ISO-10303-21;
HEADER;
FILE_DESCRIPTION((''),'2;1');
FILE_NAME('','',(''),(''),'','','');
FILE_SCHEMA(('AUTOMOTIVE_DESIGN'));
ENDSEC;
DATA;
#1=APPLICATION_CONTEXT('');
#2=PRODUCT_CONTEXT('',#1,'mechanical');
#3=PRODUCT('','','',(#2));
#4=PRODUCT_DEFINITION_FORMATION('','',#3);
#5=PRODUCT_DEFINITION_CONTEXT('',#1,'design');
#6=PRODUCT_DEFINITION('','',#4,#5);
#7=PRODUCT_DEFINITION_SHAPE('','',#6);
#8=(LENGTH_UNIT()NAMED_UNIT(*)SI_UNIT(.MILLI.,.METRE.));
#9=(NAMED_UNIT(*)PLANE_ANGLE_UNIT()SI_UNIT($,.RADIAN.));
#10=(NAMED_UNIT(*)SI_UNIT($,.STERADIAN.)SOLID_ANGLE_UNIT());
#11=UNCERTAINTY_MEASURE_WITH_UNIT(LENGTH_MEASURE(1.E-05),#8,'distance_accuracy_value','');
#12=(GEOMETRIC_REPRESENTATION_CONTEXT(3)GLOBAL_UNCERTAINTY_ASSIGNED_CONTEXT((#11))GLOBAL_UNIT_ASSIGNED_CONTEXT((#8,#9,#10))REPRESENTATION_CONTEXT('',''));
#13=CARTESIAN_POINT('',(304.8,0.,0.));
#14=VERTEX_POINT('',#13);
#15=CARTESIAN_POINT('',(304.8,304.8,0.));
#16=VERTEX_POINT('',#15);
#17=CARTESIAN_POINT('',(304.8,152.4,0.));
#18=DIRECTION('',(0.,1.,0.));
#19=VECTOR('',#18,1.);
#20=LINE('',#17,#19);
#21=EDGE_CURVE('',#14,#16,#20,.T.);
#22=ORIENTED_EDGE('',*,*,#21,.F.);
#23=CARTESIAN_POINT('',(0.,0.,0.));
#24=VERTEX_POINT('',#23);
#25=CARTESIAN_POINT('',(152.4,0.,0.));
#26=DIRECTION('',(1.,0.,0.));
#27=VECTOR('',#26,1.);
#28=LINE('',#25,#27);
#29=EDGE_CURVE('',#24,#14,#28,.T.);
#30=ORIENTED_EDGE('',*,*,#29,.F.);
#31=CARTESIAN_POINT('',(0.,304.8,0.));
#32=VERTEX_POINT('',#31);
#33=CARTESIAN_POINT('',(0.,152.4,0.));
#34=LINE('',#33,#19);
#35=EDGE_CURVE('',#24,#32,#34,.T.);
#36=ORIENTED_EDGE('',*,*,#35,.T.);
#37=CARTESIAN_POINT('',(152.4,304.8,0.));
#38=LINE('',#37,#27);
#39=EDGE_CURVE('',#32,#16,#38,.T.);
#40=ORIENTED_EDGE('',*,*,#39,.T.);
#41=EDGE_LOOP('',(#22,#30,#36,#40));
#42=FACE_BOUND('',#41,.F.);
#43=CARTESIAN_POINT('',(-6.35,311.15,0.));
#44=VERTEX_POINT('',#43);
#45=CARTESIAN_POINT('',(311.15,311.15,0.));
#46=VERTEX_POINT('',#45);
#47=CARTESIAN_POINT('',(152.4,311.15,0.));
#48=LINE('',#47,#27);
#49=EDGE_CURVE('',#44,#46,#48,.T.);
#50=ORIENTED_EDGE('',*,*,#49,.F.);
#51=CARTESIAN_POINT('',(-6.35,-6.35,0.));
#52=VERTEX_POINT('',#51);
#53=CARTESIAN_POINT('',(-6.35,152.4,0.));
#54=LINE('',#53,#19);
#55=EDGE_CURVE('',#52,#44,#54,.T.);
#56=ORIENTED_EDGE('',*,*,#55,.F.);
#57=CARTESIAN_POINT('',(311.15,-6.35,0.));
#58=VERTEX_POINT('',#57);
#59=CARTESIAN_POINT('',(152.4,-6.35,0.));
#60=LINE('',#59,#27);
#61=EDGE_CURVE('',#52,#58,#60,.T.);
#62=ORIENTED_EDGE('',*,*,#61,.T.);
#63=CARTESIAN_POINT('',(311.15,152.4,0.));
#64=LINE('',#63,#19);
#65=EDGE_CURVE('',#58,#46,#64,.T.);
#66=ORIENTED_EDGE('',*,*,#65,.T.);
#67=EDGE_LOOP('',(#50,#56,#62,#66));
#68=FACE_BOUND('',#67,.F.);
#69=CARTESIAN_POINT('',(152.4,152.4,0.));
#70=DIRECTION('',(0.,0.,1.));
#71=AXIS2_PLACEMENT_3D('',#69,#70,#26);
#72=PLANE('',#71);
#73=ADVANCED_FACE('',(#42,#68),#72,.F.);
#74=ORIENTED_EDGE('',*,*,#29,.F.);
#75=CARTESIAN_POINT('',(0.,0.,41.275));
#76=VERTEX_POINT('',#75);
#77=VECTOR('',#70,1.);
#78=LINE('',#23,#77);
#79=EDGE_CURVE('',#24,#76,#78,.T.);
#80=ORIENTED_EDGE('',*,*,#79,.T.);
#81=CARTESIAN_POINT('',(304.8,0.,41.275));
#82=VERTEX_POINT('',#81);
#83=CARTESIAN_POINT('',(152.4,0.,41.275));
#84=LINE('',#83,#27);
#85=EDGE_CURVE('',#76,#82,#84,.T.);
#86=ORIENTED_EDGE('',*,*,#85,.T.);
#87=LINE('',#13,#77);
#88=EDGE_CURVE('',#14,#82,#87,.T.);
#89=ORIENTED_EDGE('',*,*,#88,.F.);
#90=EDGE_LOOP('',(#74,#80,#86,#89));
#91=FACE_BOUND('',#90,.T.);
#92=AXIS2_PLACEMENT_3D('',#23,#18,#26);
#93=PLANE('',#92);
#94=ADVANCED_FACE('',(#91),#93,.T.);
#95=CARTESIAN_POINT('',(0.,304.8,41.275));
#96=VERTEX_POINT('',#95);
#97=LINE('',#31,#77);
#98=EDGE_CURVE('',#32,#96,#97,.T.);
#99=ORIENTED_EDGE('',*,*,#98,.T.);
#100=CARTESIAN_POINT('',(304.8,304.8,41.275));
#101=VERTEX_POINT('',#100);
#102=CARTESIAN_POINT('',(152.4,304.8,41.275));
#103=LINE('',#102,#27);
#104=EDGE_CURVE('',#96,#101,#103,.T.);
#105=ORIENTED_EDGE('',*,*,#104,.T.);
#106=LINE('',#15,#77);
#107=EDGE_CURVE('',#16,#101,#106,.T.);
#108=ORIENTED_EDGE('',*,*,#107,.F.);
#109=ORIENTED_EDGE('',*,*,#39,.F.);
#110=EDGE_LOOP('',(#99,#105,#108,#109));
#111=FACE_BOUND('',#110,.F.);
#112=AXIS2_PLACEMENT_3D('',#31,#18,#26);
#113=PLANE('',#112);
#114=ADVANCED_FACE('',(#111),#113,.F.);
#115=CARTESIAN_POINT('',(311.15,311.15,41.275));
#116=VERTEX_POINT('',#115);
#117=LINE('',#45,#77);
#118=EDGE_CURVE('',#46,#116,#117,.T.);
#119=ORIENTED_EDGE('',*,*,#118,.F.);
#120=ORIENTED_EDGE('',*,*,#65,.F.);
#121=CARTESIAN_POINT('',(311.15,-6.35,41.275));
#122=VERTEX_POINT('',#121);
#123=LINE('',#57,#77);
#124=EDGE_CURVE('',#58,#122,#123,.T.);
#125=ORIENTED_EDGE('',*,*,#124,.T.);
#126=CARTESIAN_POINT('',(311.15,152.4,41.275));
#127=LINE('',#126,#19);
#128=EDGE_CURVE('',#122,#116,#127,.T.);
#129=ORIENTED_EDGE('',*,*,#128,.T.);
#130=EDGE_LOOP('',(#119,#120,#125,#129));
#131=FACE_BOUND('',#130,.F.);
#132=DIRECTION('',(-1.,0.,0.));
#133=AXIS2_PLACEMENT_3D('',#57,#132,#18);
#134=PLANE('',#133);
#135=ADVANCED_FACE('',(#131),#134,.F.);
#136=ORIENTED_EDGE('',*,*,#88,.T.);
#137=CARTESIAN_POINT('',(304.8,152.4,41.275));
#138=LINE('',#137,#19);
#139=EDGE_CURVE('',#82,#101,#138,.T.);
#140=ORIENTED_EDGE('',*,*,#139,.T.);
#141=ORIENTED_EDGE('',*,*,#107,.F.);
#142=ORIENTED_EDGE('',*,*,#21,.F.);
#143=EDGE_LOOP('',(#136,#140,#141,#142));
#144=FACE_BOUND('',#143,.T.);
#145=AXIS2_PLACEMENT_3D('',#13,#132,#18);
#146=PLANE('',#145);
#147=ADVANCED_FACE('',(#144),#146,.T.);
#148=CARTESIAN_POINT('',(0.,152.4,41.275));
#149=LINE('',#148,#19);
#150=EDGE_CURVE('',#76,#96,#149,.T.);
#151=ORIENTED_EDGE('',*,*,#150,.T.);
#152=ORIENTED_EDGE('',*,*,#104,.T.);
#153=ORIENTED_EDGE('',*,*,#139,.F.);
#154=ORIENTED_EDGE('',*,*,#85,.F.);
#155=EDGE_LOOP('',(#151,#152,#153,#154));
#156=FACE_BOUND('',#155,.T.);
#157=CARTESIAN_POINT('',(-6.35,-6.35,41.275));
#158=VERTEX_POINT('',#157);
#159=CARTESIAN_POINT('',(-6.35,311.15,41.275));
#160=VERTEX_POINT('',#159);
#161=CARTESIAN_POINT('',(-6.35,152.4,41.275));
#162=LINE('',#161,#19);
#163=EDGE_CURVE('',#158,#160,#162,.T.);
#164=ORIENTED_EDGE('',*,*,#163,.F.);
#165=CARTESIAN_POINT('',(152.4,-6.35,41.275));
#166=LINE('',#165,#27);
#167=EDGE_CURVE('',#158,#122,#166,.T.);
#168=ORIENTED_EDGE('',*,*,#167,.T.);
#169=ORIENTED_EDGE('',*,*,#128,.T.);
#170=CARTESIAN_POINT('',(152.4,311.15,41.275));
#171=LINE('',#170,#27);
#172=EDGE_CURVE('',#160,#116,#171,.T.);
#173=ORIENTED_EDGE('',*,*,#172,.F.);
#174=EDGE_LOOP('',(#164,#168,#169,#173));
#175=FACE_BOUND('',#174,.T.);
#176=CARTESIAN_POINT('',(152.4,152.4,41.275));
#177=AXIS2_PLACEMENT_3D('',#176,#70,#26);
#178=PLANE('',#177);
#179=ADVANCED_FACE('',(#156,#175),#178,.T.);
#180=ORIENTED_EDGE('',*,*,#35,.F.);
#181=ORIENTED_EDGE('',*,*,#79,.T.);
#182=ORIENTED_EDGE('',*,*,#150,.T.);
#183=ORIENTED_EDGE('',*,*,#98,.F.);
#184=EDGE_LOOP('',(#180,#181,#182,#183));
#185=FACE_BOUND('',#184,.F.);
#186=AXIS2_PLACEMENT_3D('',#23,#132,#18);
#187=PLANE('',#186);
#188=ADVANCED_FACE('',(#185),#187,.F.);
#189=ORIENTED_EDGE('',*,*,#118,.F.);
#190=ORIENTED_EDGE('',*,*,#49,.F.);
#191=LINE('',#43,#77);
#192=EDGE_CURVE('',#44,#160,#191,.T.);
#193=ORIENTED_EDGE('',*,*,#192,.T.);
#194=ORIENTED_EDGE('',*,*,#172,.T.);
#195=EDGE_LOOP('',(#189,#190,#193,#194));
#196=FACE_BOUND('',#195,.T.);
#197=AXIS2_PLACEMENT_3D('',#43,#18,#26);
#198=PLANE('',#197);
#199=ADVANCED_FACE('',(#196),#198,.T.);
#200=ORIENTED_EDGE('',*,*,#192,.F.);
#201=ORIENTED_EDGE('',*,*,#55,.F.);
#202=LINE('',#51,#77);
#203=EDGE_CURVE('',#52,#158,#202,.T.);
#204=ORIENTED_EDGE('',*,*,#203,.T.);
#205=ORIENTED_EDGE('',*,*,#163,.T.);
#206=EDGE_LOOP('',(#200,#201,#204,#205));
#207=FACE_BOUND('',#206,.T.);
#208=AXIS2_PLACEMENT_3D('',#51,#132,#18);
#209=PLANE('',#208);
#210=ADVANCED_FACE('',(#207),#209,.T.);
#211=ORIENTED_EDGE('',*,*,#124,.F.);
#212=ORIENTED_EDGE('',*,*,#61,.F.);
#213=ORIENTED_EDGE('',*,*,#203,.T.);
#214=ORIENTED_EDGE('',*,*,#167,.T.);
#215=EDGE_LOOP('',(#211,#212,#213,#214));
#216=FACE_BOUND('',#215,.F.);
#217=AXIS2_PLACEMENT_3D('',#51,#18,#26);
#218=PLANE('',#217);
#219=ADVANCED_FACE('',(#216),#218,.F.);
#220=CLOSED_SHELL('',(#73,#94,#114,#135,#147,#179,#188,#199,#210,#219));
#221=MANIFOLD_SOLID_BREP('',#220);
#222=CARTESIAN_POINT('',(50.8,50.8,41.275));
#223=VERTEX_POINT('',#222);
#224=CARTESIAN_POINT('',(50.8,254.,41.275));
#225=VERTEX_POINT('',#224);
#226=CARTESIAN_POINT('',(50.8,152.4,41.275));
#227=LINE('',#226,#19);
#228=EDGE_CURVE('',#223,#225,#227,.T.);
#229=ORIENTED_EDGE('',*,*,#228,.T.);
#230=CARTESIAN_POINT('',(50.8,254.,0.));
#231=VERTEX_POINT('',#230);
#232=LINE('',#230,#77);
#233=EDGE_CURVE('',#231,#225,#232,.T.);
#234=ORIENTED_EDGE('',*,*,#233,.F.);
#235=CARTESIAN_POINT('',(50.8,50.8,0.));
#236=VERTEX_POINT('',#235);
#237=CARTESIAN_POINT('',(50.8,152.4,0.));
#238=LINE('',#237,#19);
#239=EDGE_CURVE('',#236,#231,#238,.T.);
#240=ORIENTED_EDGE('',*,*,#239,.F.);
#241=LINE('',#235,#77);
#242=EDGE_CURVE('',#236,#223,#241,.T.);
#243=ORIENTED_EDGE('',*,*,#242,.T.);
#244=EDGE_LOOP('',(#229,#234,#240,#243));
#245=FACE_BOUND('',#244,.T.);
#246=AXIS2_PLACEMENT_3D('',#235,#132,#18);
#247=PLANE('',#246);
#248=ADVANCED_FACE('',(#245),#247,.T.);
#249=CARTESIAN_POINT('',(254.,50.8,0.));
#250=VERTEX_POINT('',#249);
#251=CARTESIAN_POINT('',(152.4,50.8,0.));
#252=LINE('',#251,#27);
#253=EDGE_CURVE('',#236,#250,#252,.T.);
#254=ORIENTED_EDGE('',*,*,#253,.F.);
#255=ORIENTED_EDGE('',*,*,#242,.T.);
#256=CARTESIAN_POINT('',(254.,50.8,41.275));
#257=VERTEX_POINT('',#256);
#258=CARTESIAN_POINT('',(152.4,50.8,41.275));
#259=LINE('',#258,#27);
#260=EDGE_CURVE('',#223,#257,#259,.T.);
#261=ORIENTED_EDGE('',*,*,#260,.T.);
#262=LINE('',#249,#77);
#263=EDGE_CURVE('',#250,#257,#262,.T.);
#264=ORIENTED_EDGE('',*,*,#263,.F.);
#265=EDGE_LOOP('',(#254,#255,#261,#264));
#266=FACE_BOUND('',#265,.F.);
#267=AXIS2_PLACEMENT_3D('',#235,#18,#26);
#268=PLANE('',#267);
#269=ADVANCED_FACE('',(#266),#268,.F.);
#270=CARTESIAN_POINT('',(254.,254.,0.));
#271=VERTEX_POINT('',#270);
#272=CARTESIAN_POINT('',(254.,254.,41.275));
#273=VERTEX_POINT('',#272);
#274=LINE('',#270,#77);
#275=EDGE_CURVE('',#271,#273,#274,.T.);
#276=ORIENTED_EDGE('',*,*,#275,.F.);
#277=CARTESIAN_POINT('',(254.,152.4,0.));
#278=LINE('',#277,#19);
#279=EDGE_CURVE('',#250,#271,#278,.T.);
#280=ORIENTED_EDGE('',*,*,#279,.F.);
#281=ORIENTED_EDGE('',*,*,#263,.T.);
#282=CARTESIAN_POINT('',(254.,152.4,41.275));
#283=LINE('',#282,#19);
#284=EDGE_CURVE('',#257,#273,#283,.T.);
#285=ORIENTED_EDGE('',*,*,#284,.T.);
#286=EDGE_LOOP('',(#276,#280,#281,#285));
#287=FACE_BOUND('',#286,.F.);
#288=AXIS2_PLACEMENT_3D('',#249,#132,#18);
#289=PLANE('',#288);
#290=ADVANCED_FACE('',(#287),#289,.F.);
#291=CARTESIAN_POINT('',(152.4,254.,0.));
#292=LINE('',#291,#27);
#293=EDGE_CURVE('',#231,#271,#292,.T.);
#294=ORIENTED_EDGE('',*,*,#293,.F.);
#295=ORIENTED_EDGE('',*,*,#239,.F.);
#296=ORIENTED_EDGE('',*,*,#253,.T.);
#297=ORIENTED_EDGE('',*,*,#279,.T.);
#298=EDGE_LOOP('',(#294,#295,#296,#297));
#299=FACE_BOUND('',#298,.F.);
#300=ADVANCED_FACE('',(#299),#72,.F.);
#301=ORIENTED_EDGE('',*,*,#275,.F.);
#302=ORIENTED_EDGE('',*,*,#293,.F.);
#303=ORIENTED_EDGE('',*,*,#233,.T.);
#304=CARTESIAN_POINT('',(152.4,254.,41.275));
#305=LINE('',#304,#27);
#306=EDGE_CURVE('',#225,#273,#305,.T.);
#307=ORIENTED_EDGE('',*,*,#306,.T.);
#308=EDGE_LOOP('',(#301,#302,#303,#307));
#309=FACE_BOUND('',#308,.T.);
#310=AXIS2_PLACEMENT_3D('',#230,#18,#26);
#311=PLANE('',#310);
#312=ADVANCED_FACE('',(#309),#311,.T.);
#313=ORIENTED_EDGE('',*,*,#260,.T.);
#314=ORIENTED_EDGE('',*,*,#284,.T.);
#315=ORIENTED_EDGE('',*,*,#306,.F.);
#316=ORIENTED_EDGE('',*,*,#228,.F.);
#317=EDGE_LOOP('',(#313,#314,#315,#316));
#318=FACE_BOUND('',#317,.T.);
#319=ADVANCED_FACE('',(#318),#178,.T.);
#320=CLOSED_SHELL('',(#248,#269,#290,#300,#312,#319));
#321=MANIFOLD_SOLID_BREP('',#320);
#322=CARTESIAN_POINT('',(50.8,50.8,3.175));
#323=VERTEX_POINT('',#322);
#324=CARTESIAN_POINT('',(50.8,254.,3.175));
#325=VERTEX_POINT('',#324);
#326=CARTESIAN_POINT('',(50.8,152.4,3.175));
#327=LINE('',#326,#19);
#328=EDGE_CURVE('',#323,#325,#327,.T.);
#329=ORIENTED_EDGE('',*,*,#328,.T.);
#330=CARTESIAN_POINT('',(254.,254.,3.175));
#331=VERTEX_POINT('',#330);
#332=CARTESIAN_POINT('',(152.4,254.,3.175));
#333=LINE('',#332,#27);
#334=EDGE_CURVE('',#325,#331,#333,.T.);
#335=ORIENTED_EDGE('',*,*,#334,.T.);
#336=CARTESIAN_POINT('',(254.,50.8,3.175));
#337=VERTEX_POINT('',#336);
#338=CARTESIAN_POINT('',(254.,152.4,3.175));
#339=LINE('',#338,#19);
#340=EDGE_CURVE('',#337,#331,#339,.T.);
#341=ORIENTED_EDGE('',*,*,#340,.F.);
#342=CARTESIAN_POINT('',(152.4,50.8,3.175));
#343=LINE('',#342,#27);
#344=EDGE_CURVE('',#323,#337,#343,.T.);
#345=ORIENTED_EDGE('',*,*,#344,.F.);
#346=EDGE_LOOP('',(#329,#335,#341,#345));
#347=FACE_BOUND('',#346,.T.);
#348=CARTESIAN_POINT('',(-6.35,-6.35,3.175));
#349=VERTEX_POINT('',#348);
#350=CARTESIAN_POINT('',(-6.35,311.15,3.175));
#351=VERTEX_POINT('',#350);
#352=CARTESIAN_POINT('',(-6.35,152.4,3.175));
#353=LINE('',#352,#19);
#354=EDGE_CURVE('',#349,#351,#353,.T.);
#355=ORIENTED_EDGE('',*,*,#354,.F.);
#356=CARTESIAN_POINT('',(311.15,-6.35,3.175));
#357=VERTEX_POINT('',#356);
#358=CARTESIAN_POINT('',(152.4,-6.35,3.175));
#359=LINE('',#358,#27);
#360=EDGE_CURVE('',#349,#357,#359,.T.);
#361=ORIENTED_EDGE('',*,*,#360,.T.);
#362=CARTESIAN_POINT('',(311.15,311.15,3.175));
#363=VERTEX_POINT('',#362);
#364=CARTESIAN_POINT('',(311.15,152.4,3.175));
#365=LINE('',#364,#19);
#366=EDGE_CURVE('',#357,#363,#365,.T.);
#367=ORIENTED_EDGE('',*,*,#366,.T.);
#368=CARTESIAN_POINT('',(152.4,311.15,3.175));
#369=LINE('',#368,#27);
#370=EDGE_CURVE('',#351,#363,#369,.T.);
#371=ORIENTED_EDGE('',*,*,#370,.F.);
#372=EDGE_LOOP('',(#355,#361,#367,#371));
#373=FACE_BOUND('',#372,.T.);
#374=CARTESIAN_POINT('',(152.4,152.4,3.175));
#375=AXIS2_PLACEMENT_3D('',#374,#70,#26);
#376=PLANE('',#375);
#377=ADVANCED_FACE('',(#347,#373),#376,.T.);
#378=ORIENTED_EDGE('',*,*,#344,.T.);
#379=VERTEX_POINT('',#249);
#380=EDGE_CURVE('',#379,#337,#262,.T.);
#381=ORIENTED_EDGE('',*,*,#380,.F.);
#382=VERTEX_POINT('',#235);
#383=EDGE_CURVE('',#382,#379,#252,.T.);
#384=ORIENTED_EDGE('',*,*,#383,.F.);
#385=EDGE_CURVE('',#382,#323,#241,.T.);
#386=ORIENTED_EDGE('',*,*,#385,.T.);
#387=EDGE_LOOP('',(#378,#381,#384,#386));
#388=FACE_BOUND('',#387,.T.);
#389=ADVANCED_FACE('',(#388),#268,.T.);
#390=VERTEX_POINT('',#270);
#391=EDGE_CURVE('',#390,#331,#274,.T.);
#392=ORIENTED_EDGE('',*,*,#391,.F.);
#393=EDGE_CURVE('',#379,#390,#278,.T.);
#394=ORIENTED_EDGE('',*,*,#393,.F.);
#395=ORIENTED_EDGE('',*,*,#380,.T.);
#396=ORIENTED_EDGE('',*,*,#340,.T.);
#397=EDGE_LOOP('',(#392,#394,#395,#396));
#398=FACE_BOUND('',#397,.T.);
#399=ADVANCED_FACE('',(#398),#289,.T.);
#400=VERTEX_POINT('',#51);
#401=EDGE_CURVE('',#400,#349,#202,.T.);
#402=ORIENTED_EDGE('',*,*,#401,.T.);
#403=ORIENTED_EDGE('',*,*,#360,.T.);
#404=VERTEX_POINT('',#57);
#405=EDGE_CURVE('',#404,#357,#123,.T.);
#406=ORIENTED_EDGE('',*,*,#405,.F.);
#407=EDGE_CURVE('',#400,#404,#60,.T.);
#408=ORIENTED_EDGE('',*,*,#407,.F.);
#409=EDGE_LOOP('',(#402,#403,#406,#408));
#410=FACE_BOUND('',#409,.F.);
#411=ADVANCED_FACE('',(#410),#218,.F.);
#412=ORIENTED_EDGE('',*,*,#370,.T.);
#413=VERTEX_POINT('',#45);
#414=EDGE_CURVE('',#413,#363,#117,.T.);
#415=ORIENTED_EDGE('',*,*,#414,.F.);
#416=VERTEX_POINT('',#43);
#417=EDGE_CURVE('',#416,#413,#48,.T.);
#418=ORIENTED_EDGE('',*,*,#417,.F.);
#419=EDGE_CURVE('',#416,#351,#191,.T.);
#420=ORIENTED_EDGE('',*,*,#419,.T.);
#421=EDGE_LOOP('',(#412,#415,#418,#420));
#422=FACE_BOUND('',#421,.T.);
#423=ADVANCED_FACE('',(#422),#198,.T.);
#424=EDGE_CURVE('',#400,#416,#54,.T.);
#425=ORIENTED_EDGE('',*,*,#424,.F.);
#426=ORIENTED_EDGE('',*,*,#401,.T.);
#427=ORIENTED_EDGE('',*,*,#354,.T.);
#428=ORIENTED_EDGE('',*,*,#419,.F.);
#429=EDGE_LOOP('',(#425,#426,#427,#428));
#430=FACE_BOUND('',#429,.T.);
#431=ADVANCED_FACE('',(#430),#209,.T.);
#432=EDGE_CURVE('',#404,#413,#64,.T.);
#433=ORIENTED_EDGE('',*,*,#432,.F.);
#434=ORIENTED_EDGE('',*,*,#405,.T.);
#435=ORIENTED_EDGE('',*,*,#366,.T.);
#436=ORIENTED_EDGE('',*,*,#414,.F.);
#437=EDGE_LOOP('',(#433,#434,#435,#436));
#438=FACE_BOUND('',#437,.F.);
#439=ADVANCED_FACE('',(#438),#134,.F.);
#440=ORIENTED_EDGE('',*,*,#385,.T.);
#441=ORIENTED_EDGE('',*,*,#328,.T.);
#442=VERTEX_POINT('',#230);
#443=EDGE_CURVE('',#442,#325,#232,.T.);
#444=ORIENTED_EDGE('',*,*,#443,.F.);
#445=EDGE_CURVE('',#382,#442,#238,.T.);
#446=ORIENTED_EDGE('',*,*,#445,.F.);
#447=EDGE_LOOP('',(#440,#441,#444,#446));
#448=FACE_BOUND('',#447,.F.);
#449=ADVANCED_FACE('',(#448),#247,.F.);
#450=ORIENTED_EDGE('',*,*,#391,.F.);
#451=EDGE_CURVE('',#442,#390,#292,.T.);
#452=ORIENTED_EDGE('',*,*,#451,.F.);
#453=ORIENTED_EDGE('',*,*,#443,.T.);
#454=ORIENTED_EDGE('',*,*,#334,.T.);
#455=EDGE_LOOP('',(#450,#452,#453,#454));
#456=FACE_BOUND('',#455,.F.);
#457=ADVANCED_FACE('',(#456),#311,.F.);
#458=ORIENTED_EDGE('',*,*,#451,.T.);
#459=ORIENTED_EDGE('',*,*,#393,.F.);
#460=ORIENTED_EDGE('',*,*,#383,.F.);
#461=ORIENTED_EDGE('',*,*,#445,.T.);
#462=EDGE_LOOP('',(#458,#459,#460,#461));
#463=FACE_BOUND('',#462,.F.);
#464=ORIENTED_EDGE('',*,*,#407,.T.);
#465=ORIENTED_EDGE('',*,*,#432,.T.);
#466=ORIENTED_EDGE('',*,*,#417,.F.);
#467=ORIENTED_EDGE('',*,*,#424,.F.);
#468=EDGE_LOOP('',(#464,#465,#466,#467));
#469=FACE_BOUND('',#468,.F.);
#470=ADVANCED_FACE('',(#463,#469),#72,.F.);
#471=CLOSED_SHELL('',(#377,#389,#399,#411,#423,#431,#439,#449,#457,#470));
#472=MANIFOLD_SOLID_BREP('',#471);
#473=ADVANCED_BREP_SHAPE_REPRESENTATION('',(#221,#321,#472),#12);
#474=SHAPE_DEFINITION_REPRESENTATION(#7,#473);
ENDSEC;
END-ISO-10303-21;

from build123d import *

# Parameters (mm, degrees)
F0_W     = 203.2
F0_H     = 203.2
F1_DEPTH = 41.275
F0_W_2   = 317.5
F0_H_2   = 317.5
F0_W_3   = 304.8
F0_H_3   = 304.8
F2_DEPTH = 3.175


with BuildPart() as f1:
    # F0 (on Top) → F1 (new body)
    with BuildSketch(Plane.XY):
        with Locations((152.4, 152.4)):
            Rectangle(F0_W, F0_H)
    extrude(amount=F1_DEPTH)


with BuildPart() as f1b:
    # F0 (on Top) → F1, piece 2 (new body)
    with BuildSketch(Plane.XY):
        with Locations((152.4, 152.4)):
            Rectangle(F0_W_2, F0_H_2)
        with Locations((152.4, 152.4)):
            Rectangle(F0_W_3, F0_H_3, mode=Mode.SUBTRACT)
    extrude(amount=F1_DEPTH)


with BuildPart() as f2:
    # F0 (on Top) → F2 (new body)
    with BuildSketch(Plane.XY):
        with Locations((152.4, 152.4)):
            Rectangle(F0_W_2, F0_H_2)
        with Locations((152.4, 152.4)):
            Rectangle(F0_W_3, F0_H_3, mode=Mode.SUBTRACT)
        with Locations((152.4, 152.4)):
            Rectangle(F0_W_3, F0_H_3)
        with Locations((152.4, 152.4)):
            Rectangle(F0_W, F0_H, mode=Mode.SUBTRACT)
    extrude(amount=F2_DEPTH)


solid = Compound([f1.part, f1b.part, f2.part])
